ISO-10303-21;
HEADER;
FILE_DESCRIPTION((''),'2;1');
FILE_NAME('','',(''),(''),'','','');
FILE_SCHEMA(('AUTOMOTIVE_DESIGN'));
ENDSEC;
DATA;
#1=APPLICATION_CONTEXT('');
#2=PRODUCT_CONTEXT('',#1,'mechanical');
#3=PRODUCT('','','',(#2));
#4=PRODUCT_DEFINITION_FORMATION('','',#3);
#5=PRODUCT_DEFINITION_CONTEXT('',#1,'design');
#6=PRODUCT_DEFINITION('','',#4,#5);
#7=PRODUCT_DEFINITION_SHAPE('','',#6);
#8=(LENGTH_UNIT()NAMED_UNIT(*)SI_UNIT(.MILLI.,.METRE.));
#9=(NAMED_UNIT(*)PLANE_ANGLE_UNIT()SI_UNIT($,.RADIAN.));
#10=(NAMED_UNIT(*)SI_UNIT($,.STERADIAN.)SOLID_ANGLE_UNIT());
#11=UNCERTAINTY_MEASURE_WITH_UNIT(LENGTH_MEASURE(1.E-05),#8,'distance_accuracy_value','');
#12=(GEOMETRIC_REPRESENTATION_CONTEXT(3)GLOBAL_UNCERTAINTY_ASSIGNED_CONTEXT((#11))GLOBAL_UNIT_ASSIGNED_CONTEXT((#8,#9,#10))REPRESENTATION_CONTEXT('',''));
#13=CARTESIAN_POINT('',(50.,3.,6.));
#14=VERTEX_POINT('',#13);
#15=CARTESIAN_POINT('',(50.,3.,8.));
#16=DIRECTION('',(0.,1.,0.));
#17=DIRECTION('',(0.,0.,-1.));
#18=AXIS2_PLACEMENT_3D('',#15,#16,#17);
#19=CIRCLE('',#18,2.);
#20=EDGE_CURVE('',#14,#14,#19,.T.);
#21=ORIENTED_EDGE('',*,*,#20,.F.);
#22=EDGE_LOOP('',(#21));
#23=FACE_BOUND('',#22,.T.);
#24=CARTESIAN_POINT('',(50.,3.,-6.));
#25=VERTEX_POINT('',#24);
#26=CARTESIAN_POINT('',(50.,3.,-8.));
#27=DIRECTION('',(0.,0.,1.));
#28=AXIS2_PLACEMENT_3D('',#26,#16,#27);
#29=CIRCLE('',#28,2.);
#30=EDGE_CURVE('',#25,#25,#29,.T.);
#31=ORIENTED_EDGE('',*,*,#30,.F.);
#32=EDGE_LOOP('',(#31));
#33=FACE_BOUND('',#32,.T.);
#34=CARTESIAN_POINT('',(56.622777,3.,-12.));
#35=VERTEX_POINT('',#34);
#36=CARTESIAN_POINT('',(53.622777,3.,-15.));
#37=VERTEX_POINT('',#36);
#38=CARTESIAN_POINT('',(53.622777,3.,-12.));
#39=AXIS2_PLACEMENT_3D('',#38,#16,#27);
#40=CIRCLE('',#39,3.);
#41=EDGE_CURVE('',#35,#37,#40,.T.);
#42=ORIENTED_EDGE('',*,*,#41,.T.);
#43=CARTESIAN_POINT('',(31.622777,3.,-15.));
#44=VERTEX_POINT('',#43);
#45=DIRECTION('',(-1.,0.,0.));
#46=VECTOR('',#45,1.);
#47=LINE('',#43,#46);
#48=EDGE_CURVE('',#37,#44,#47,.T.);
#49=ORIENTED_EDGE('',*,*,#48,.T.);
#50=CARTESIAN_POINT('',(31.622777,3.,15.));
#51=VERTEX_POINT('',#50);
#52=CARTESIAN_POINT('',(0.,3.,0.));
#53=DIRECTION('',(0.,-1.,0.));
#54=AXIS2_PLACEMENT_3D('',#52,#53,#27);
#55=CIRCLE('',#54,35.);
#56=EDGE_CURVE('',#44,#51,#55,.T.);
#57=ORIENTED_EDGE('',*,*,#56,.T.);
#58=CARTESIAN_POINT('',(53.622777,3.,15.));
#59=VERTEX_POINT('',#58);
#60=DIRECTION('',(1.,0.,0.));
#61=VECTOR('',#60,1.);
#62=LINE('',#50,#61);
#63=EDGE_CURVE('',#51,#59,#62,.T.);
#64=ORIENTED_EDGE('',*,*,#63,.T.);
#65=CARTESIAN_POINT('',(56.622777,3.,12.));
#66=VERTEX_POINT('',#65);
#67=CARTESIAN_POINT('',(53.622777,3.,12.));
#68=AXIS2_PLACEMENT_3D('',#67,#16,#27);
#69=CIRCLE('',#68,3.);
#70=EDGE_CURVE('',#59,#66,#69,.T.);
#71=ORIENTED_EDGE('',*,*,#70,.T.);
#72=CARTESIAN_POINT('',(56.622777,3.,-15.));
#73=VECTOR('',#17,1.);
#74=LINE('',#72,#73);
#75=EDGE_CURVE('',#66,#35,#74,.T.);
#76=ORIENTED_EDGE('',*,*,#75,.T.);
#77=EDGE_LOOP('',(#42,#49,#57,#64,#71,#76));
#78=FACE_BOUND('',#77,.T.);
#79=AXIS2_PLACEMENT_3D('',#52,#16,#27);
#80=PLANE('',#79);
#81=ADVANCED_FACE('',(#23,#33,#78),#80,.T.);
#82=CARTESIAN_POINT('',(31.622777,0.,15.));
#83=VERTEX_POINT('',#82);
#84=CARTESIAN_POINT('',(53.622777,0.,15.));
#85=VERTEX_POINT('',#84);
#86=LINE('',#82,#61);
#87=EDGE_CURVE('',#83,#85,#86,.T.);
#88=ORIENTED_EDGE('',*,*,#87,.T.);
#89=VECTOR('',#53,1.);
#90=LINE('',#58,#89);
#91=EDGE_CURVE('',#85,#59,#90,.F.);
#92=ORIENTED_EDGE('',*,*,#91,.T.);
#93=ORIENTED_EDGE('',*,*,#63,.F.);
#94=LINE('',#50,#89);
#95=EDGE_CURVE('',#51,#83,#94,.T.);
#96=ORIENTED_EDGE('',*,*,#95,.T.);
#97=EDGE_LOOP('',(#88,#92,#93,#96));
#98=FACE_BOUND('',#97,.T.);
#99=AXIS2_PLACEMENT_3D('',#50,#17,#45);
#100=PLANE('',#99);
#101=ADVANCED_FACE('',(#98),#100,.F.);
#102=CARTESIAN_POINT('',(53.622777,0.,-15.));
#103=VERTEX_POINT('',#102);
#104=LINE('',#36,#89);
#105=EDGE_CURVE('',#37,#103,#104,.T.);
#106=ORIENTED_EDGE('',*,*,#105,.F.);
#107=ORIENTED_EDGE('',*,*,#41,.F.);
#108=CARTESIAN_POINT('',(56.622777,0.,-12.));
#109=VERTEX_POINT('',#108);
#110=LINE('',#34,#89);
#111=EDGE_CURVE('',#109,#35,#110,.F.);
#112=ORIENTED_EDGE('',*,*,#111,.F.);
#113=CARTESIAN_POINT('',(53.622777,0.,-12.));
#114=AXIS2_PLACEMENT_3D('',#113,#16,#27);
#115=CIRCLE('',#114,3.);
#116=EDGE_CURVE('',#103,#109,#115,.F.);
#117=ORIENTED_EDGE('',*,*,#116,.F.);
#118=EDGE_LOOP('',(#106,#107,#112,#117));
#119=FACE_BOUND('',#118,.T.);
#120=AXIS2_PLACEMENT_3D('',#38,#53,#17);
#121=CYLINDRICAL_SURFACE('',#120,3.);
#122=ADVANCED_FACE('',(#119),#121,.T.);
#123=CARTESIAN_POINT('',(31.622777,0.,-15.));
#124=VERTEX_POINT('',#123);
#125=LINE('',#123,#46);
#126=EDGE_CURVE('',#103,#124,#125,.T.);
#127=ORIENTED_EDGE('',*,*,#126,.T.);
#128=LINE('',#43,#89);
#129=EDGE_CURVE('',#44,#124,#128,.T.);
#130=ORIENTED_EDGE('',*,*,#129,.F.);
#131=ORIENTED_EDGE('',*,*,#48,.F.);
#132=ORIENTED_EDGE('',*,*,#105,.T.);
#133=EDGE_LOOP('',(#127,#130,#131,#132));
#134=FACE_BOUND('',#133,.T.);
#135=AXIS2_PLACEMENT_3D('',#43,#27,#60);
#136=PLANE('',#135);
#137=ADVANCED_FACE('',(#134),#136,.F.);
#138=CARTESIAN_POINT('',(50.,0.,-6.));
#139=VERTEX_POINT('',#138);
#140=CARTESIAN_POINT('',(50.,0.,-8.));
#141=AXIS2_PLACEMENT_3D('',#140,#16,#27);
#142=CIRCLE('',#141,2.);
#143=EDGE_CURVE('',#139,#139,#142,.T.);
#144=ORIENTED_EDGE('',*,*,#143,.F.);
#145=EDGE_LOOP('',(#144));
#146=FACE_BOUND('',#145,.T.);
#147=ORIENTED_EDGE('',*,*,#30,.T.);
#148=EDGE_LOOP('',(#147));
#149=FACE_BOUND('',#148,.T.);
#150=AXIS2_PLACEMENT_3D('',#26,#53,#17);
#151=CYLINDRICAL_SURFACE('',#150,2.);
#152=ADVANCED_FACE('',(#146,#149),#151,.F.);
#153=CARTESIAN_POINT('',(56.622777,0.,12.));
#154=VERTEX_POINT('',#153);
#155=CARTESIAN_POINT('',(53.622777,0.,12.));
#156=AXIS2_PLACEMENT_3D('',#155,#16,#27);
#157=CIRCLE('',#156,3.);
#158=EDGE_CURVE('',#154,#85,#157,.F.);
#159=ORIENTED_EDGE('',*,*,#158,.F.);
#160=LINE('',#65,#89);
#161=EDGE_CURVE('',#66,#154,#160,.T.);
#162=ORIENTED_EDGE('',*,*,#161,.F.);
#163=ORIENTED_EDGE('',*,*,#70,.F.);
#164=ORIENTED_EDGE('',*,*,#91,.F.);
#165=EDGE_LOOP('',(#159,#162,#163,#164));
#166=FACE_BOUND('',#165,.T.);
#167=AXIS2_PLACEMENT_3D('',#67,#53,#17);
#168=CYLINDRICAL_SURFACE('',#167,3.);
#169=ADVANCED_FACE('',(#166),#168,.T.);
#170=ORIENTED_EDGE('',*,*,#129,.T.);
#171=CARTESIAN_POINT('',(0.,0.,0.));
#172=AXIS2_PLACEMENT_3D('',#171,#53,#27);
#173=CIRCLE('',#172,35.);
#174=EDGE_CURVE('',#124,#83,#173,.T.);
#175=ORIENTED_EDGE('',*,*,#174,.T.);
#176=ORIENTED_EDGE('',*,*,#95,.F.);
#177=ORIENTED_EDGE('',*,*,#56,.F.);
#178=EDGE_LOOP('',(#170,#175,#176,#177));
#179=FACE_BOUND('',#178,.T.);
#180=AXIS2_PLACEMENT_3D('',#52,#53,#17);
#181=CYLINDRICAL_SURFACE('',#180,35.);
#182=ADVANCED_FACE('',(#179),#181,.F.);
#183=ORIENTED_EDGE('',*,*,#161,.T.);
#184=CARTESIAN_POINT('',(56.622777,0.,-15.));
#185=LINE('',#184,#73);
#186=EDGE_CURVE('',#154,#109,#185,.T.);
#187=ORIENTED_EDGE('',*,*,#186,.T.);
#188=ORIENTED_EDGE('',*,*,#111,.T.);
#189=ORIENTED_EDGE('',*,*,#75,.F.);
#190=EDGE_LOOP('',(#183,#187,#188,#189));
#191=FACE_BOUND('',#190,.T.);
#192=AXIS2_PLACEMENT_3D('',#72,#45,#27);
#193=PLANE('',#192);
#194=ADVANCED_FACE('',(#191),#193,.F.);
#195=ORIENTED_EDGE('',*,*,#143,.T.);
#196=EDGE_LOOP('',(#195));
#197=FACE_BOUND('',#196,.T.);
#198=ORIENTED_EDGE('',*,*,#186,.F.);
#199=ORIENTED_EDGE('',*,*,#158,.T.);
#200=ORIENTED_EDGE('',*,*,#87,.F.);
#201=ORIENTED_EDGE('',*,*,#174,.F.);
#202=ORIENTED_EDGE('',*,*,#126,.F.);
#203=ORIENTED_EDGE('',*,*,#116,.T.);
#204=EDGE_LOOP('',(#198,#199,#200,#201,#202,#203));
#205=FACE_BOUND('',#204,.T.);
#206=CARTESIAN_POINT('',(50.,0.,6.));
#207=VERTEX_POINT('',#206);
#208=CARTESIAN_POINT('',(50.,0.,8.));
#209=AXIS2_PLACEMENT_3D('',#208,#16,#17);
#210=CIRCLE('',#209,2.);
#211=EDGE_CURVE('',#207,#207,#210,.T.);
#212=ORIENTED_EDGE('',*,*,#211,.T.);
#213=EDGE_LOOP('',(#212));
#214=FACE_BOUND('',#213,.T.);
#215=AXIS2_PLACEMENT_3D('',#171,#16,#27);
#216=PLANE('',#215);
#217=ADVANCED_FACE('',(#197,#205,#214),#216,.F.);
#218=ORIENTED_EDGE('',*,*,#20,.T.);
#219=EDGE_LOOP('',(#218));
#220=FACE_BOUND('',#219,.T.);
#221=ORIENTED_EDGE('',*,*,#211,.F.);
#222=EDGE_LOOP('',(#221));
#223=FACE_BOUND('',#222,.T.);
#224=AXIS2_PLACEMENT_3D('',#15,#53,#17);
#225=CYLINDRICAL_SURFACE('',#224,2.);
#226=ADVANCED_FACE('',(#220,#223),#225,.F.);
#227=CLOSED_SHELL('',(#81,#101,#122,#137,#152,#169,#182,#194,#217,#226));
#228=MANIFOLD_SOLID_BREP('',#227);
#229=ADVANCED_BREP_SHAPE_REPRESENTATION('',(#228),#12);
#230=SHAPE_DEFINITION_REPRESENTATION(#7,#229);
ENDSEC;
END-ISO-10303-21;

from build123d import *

# Parameters (mm, degrees)
SKETCH_1_R      = 2
EXTRUDE_1_DEPTH = 3
FILLET_1_R      = 3


with BuildPart() as part:
    # 草图1 → 凸台-拉伸1 (new body)
    with BuildSketch(Plane(origin=(0, 0, 0), x_dir=(1, 0, 0), z_dir=(0, 1, 0))):
        with BuildLine():
            Line((31.622776602, 15), (56.622776602, 15))
            Line((56.622776602, 15), (56.622776602, -15))
            Line((56.622776602, -15), (31.622776602, -15))
            ThreePointArc((31.622776602, -15), (35, 0), (31.622776602, 15))
        make_face()
        with Locations(Location((50, 8, 0), (0, 0, 270))):
            Circle(SKETCH_1_R, mode=Mode.SUBTRACT)
        with Locations(Location((50, -8, 0), (0, 0, 90))):
            Circle(SKETCH_1_R, mode=Mode.SUBTRACT)
    extrude(amount=EXTRUDE_1_DEPTH)

    # 圆角1
    fillet_1_edges = [part.edges().sort_by_distance(p)[0] for p in [
        (56.622776602, 1.5, -15),
        (56.622776602, 1.5, 15),
    ]]
    fillet(fillet_1_edges, radius=FILLET_1_R)


solid = part.part
